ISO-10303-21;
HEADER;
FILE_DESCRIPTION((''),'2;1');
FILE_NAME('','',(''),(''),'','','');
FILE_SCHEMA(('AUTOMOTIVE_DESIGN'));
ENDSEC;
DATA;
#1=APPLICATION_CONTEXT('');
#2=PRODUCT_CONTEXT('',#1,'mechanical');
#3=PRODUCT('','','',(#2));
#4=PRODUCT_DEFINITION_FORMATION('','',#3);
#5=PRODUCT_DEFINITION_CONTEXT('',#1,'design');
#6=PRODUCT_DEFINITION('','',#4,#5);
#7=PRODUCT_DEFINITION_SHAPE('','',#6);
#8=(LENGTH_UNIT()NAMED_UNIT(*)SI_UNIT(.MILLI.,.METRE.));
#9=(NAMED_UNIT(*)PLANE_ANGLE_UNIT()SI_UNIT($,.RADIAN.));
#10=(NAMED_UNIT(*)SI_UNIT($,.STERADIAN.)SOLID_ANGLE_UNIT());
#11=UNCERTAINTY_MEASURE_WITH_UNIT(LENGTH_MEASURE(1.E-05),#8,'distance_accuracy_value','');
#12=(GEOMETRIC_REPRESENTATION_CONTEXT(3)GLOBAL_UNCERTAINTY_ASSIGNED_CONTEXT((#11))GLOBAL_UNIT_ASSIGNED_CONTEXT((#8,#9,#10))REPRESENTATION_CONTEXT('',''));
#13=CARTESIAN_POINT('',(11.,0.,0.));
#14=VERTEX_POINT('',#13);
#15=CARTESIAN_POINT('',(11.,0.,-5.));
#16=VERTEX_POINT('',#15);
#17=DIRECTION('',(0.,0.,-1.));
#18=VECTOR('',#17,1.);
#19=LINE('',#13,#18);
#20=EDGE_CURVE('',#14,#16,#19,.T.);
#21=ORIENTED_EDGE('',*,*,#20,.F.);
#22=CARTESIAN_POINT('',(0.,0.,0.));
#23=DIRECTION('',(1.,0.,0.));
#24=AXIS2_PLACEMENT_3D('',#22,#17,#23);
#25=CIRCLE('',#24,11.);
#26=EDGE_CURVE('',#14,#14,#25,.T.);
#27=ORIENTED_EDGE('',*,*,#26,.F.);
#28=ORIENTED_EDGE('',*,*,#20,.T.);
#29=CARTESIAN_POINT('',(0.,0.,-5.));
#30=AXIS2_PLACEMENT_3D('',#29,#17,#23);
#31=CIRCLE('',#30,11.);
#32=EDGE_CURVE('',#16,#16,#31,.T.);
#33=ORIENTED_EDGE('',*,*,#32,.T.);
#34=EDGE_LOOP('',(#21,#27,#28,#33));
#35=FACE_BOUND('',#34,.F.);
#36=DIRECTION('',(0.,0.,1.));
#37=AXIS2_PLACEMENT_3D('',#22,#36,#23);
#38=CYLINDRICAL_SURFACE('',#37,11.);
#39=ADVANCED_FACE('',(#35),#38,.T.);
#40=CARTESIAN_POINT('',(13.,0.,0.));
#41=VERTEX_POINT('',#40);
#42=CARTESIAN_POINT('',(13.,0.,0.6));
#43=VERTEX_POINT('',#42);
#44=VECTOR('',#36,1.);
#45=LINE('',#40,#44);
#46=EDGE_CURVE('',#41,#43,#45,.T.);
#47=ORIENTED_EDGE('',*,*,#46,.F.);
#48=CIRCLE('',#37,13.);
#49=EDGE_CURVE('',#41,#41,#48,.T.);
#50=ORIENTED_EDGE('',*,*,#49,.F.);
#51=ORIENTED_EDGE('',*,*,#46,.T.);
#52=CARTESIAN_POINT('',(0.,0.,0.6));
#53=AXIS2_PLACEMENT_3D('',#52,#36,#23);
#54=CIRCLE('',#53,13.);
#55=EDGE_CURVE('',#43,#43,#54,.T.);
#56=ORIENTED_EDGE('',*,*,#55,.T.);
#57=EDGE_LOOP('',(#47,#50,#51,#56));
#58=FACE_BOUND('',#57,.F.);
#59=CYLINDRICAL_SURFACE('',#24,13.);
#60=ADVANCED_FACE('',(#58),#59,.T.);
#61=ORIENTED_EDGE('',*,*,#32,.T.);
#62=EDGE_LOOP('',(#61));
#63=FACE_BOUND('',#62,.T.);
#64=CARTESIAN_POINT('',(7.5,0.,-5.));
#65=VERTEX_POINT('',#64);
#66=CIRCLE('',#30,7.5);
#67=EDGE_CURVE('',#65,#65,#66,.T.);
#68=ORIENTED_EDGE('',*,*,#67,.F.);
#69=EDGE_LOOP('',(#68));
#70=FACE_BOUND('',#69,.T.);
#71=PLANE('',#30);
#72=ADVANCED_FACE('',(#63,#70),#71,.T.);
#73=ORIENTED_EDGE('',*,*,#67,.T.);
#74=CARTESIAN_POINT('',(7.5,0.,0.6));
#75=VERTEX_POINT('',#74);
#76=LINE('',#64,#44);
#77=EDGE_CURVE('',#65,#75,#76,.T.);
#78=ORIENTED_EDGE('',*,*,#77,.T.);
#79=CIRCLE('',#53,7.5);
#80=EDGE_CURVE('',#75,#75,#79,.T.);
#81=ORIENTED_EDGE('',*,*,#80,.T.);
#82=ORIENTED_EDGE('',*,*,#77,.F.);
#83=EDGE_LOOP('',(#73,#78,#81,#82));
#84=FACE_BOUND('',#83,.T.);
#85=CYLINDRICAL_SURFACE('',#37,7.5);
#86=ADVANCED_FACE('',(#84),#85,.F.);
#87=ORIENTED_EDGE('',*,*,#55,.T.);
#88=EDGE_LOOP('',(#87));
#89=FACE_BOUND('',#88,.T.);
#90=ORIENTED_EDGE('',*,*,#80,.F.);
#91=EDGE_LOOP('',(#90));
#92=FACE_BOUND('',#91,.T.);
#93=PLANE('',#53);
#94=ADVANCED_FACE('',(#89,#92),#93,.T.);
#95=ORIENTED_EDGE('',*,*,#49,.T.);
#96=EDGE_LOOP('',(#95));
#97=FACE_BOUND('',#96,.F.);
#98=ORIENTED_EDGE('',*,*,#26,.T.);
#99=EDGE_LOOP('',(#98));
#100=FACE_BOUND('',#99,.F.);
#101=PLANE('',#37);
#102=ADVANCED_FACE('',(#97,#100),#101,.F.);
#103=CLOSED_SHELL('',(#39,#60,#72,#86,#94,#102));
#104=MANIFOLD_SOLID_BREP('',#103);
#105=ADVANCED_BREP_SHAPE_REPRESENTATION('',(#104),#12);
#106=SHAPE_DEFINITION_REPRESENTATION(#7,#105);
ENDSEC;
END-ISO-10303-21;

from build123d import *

# Parameters (mm, degrees)
SKETCH_R      = 13
SKETCH_R_2    = 7.5
PAD_DEPTH     = 0.6
SKETCH001_R   = 11
SKETCH001_R_2 = 7.5
PAD001_DEPTH  = 5


with BuildPart() as part:
    # Sketch → Pad (new body)
    with BuildSketch(Plane.XY):
        Circle(SKETCH_R)
        Circle(SKETCH_R_2, mode=Mode.SUBTRACT)
    extrude(amount=PAD_DEPTH)

    # Sketch001 → Pad001 (new body)
    with BuildSketch(Plane(origin=(0, 0, 0), x_dir=(1, 0, 0), z_dir=(0, 0, -1))):
        Circle(SKETCH001_R)
        Circle(SKETCH001_R_2, mode=Mode.SUBTRACT)
    extrude(amount=PAD001_DEPTH)


solid = part.part
